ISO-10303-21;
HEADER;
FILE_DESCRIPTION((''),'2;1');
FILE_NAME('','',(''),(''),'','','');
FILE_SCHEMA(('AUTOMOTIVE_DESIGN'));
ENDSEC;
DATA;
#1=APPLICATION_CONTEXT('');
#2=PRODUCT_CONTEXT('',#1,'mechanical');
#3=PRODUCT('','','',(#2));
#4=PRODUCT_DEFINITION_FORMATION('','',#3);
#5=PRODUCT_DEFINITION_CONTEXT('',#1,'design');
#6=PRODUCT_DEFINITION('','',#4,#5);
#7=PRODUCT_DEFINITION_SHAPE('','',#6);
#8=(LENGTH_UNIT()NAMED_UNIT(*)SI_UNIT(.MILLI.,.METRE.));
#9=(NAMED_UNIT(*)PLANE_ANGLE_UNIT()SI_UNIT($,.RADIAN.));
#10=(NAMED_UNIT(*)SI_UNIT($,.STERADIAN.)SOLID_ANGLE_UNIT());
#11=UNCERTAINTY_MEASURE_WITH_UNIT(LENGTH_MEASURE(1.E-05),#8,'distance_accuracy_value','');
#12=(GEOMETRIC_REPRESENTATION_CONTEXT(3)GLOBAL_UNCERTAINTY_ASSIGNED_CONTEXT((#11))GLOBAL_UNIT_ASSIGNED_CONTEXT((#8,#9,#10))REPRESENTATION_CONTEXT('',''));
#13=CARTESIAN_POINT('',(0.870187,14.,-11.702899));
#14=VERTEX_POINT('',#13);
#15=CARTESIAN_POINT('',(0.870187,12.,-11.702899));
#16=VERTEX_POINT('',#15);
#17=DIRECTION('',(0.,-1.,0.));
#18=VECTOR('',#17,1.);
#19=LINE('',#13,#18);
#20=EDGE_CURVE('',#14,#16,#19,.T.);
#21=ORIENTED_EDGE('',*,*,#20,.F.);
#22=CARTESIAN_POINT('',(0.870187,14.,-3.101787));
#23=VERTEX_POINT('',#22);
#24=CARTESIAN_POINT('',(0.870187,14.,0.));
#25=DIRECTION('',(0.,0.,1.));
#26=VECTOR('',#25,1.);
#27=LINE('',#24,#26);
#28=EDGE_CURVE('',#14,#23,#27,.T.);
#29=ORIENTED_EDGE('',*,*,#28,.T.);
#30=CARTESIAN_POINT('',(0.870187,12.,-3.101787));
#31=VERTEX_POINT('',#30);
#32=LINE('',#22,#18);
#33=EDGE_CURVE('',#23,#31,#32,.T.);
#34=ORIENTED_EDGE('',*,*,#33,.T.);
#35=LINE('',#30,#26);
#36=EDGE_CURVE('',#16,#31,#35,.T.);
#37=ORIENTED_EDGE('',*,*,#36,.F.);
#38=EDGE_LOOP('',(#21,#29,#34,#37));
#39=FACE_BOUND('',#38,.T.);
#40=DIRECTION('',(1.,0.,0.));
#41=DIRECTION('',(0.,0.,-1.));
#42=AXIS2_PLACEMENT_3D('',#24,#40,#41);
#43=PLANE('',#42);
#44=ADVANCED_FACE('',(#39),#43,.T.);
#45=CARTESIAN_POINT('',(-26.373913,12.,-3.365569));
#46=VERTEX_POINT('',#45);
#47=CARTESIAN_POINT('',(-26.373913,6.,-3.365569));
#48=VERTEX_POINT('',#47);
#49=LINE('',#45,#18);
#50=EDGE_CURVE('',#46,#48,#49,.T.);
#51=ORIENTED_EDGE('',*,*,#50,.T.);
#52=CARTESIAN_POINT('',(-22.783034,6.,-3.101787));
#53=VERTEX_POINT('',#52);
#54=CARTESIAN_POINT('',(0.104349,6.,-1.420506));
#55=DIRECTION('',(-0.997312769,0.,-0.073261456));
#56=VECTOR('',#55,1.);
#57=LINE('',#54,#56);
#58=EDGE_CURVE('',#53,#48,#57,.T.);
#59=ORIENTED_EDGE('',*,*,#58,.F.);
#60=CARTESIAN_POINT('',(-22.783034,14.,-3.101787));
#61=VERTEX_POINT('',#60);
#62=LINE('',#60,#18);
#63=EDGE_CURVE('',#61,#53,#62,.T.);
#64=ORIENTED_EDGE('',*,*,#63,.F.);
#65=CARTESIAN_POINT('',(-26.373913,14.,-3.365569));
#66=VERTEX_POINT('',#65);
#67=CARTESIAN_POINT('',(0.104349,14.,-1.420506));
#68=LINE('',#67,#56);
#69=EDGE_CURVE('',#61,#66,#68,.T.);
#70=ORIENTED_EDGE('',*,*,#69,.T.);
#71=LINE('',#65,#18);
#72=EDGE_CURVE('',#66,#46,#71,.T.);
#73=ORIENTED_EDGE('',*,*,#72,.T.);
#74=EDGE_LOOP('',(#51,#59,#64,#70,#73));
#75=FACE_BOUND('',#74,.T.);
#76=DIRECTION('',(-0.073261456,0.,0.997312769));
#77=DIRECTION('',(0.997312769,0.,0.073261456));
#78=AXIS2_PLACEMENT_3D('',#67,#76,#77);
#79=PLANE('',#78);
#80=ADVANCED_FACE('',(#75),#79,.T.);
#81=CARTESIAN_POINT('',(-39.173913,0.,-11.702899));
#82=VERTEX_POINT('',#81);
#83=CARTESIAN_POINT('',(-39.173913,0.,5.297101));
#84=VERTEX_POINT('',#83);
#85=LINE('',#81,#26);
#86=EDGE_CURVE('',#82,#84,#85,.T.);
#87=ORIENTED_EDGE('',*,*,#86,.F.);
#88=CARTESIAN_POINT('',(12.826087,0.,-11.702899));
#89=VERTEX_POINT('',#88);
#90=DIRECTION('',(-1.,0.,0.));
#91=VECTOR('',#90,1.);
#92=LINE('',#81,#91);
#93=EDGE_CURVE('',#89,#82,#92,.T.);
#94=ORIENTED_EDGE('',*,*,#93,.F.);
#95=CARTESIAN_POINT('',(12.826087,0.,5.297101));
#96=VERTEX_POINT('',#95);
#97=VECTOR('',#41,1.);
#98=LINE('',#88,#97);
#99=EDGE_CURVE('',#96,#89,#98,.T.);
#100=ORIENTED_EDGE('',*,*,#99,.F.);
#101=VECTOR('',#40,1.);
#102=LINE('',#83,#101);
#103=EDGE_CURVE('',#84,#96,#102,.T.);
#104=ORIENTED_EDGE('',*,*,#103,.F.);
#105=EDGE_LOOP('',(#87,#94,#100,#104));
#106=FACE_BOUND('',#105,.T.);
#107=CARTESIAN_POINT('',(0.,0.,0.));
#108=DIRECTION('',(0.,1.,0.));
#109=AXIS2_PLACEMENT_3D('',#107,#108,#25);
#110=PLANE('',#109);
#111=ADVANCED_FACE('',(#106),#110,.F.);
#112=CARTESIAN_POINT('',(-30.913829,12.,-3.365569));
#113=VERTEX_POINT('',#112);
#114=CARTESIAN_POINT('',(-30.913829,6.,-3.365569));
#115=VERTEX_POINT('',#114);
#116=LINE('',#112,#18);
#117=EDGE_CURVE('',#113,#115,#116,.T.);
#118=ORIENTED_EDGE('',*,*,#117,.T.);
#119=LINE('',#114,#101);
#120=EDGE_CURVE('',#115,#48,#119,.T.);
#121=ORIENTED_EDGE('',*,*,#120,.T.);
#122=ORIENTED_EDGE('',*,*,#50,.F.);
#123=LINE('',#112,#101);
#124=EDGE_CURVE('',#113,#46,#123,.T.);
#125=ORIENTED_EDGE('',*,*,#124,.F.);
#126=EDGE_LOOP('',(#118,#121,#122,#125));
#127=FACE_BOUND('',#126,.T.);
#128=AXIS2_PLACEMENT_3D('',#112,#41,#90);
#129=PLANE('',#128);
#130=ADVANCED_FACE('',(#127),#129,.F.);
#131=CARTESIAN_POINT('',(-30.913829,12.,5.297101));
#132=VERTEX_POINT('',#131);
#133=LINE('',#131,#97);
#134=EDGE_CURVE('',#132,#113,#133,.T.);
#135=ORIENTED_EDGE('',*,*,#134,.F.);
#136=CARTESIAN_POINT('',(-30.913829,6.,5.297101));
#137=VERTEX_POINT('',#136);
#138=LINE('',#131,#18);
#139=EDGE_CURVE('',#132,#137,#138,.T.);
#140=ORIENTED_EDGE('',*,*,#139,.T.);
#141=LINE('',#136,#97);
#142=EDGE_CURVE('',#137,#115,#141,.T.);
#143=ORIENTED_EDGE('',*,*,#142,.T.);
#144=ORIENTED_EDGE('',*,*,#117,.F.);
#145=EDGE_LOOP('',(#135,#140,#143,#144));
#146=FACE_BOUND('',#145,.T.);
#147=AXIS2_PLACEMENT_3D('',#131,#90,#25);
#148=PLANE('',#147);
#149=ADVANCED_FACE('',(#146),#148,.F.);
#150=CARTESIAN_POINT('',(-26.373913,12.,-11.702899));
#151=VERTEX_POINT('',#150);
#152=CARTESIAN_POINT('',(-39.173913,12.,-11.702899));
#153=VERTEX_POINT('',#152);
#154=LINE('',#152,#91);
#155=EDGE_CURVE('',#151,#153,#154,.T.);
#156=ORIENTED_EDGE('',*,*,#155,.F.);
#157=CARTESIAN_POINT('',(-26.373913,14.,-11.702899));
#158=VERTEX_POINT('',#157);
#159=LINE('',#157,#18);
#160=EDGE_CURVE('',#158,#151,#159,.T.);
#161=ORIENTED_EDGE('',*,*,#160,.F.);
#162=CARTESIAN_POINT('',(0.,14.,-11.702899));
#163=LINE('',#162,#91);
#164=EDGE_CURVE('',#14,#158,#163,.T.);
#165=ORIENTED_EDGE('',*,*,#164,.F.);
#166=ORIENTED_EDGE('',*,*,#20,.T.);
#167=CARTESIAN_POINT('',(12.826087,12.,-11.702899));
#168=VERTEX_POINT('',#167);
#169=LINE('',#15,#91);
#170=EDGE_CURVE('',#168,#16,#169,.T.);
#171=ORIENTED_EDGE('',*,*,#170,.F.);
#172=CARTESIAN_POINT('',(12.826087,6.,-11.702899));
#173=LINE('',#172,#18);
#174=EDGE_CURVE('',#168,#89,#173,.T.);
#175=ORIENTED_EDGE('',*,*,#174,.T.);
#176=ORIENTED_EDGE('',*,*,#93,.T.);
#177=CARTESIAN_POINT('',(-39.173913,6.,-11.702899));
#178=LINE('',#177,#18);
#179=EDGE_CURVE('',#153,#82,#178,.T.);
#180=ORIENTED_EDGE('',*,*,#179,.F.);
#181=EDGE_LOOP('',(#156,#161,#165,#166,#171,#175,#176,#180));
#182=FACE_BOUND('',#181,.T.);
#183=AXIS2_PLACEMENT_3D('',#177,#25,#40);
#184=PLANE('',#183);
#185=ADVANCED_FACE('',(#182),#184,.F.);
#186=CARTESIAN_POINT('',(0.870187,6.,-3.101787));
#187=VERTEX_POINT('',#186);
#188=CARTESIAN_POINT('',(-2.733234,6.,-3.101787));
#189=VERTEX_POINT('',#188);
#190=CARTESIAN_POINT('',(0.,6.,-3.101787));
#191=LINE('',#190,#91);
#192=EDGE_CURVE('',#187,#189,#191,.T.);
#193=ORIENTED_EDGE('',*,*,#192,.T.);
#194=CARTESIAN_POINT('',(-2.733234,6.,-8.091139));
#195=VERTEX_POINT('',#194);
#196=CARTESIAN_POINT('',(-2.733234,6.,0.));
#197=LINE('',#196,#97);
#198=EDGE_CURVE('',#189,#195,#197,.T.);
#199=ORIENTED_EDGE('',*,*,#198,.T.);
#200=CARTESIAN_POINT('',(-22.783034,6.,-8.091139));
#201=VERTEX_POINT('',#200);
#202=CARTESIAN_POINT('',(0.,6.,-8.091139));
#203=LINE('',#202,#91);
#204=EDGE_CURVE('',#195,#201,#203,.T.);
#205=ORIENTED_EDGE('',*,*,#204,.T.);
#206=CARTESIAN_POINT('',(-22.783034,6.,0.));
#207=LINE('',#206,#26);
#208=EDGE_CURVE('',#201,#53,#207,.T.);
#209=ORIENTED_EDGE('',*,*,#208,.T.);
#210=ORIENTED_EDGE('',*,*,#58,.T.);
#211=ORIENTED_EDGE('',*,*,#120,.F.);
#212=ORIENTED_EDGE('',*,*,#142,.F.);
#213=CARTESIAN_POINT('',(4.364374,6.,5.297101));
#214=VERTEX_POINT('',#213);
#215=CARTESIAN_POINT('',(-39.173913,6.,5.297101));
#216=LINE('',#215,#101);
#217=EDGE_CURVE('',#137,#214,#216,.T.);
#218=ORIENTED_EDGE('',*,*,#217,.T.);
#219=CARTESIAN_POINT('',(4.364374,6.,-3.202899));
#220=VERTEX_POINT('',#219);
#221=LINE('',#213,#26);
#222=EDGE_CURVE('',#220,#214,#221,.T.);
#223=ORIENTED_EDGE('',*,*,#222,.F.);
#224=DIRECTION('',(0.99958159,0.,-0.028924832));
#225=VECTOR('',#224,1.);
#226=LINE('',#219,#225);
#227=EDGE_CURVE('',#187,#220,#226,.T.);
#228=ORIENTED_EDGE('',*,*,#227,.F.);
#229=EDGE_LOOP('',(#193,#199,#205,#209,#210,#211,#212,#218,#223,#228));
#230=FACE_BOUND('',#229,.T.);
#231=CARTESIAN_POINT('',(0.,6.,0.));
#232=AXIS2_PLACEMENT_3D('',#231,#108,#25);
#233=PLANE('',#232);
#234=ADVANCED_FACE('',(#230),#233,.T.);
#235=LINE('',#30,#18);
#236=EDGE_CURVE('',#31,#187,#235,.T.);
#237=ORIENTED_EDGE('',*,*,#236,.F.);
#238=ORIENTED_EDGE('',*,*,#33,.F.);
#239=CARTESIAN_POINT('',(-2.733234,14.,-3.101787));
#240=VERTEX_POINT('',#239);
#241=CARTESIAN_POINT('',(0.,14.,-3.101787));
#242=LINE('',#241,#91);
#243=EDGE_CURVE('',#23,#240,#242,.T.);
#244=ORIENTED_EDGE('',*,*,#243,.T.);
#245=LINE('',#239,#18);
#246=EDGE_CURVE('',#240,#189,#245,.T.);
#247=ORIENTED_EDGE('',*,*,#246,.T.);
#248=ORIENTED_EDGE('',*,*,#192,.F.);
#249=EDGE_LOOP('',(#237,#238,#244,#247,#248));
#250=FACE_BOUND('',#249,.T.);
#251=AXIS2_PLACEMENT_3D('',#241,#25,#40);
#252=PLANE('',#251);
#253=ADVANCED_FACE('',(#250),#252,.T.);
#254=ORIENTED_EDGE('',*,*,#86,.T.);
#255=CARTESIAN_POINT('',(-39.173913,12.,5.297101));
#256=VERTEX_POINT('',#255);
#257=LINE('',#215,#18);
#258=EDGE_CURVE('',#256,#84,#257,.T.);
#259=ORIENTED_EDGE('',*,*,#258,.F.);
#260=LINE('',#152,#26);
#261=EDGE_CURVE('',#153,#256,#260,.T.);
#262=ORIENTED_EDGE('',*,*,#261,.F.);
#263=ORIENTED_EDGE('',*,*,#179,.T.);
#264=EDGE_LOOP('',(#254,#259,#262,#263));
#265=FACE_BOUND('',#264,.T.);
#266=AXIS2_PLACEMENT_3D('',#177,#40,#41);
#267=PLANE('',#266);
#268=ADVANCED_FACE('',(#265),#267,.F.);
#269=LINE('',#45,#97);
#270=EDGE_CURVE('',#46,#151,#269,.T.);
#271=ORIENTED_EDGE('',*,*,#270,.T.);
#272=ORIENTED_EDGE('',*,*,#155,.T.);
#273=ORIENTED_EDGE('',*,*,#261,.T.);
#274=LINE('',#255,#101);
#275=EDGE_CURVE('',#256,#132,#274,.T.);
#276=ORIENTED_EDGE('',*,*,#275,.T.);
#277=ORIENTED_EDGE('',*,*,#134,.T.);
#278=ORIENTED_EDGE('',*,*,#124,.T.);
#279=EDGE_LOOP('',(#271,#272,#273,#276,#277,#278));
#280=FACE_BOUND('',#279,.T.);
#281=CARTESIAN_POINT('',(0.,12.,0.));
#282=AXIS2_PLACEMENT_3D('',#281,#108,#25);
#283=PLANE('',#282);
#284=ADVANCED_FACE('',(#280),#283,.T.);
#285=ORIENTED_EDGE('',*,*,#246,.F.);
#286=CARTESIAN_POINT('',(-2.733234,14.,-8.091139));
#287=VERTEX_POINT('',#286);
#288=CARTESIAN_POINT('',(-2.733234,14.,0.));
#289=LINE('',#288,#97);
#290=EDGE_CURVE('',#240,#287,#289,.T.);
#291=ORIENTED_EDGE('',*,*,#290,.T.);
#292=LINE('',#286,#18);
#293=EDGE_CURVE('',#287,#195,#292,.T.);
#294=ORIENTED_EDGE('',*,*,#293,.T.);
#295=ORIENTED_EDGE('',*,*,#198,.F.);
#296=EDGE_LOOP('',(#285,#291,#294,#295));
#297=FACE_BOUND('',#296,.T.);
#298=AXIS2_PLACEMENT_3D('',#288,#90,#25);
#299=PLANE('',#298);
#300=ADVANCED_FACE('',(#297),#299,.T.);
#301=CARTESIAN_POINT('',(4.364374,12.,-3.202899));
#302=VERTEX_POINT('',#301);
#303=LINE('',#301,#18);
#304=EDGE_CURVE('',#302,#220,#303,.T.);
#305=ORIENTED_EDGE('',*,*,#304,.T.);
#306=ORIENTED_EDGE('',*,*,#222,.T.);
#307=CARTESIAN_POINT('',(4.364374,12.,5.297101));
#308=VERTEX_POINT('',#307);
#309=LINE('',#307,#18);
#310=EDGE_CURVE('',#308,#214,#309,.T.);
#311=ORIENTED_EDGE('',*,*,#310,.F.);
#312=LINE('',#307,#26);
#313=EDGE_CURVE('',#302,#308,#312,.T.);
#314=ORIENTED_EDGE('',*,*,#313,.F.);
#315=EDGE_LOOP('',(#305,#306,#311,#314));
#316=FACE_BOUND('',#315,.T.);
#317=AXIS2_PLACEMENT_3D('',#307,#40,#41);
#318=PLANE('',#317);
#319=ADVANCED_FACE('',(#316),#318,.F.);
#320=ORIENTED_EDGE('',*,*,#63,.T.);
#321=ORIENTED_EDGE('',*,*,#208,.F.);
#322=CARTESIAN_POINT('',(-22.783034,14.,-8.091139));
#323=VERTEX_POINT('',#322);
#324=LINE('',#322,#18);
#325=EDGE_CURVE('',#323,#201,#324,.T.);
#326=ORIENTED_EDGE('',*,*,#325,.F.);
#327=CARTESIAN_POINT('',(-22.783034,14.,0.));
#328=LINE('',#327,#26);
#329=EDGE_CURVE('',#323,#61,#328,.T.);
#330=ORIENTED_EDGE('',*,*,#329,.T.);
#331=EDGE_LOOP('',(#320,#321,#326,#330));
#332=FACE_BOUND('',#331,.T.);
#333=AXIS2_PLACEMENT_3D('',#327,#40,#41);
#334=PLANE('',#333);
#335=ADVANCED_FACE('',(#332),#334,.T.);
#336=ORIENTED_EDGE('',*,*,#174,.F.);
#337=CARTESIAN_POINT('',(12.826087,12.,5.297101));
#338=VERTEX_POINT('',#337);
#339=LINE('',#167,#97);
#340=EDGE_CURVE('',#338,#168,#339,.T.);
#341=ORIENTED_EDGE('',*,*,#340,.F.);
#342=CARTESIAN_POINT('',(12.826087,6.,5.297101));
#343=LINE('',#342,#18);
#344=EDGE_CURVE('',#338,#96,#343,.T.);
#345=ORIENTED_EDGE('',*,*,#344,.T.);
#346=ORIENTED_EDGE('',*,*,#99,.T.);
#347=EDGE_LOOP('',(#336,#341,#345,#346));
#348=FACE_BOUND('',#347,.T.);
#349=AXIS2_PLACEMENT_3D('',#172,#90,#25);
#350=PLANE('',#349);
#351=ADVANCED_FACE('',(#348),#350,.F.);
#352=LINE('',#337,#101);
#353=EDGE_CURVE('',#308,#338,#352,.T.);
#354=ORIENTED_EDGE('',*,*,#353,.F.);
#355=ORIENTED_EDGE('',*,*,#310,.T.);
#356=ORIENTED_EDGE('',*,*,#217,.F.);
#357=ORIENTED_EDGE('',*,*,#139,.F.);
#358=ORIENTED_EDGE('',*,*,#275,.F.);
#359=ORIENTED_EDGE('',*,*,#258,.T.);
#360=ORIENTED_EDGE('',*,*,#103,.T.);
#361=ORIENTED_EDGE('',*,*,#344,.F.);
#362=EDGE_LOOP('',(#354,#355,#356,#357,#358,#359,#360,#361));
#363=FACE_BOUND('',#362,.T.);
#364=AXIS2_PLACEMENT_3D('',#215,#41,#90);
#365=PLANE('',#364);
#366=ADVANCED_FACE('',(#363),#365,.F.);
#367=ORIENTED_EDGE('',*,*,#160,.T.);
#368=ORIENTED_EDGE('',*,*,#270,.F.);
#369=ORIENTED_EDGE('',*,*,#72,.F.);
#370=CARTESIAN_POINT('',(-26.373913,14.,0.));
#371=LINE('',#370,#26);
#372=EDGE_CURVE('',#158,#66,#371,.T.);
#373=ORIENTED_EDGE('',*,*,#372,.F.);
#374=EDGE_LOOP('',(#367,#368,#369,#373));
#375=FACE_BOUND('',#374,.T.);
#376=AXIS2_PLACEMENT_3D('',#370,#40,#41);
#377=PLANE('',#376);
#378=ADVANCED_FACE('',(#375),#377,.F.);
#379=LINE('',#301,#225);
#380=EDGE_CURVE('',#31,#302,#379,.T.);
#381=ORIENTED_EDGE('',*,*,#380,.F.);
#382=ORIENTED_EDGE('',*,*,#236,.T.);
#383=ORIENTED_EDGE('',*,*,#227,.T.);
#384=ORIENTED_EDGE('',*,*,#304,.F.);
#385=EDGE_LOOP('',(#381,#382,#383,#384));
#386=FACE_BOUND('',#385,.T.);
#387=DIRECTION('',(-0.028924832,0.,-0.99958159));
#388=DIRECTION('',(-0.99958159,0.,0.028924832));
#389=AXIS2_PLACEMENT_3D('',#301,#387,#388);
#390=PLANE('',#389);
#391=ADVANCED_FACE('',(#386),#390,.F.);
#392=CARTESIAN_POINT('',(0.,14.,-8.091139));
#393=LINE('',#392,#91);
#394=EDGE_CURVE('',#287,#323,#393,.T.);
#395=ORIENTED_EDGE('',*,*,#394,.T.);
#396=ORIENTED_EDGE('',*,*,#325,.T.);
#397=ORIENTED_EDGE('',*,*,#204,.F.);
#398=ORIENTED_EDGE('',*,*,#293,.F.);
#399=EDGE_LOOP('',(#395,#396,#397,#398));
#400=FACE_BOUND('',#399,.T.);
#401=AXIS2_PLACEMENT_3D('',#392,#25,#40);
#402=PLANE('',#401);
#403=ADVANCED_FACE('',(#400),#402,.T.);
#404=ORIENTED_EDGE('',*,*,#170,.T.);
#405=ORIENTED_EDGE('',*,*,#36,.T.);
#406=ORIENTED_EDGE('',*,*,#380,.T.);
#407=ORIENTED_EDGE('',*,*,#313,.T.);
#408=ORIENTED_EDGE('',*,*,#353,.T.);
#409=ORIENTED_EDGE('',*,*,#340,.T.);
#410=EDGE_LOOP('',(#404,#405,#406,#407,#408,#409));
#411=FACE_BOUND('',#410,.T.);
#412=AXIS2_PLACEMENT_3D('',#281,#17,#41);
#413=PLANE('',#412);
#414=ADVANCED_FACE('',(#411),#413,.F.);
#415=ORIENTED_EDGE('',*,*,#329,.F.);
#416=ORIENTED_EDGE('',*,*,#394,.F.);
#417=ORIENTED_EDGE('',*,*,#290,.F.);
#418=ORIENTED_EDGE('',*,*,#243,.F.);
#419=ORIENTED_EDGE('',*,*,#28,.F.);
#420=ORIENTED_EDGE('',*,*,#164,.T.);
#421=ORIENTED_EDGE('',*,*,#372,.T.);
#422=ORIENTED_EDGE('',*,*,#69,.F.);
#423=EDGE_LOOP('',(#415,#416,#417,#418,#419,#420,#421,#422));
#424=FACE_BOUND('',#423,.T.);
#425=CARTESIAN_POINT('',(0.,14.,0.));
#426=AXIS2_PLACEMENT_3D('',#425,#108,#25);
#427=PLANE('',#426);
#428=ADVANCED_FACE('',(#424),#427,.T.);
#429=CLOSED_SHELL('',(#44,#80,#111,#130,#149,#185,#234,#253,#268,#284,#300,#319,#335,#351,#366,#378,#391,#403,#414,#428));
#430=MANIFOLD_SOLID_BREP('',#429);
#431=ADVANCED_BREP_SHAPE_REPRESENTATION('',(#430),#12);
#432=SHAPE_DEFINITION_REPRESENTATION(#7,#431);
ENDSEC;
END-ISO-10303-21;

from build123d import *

# Parameters (mm, degrees)
SKETCH1_W           = 52
SKETCH1_H           = 17
BOSS_EXTRUDE1_DEPTH = 6
BOSS_EXTRUDE2_DEPTH = 6
BOSS_EXTRUDE4_DEPTH = 8
BOSS_EXTRUDE5_DEPTH = 6


with BuildPart() as part:
    # Sketch1 → Boss-Extrude1 (new body)
    with BuildSketch(Plane(origin=(0, 0, 0), x_dir=(1, 0, 0), z_dir=(0, 1, 0))):
        with Locations((-13.173913043, 3.202898551)):
            Rectangle(SKETCH1_W, SKETCH1_H)
    extrude(amount=BOSS_EXTRUDE1_DEPTH)

    # Sketch2 → Boss-Extrude2 (add)
    with BuildSketch(Plane(origin=(0, 6, 0), x_dir=(1, 0, 0), z_dir=(0, 1, 0))):
        Polygon((-39.173913043, 11.702898551), (-26.373913043, 11.702898551), (-26.373913043, 3.365569346), (-30.913828569, 3.365569346), (-30.913828569, -5.297101449), (-39.173913043, -5.297101449), align=None)
    extrude(amount=BOSS_EXTRUDE2_DEPTH)

    # Sketch3 → Boss-Extrude4 (add)
    with BuildSketch(Plane(origin=(0, 6, 0), x_dir=(1, 0, 0), z_dir=(0, 1, 0))):
        Polygon((0.870186747, 11.702898551), (-26.373913043, 11.702898551), (-26.373913043, 3.365569346), (-22.783033953, 3.101787471), (-22.783033953, 8.091138713), (-2.733233594, 8.091138713), (-2.733233594, 3.101787471), (0.870186747, 3.101787471), align=None)
    extrude(amount=BOSS_EXTRUDE4_DEPTH)

    # Sketch4 → Boss-Extrude5 (add)
    with BuildSketch(Plane(origin=(0, 6, 0), x_dir=(1, 0, 0), z_dir=(0, 1, 0))):
        Polygon((0.870186747, 11.702898551), (12.826086957, 11.702898551), (12.826086957, -5.297101449), (4.364373788, -5.297101449), (4.364373788, 3.202898551), (0.870186747, 3.101787471), align=None)
    extrude(amount=BOSS_EXTRUDE5_DEPTH)


solid = part.part
